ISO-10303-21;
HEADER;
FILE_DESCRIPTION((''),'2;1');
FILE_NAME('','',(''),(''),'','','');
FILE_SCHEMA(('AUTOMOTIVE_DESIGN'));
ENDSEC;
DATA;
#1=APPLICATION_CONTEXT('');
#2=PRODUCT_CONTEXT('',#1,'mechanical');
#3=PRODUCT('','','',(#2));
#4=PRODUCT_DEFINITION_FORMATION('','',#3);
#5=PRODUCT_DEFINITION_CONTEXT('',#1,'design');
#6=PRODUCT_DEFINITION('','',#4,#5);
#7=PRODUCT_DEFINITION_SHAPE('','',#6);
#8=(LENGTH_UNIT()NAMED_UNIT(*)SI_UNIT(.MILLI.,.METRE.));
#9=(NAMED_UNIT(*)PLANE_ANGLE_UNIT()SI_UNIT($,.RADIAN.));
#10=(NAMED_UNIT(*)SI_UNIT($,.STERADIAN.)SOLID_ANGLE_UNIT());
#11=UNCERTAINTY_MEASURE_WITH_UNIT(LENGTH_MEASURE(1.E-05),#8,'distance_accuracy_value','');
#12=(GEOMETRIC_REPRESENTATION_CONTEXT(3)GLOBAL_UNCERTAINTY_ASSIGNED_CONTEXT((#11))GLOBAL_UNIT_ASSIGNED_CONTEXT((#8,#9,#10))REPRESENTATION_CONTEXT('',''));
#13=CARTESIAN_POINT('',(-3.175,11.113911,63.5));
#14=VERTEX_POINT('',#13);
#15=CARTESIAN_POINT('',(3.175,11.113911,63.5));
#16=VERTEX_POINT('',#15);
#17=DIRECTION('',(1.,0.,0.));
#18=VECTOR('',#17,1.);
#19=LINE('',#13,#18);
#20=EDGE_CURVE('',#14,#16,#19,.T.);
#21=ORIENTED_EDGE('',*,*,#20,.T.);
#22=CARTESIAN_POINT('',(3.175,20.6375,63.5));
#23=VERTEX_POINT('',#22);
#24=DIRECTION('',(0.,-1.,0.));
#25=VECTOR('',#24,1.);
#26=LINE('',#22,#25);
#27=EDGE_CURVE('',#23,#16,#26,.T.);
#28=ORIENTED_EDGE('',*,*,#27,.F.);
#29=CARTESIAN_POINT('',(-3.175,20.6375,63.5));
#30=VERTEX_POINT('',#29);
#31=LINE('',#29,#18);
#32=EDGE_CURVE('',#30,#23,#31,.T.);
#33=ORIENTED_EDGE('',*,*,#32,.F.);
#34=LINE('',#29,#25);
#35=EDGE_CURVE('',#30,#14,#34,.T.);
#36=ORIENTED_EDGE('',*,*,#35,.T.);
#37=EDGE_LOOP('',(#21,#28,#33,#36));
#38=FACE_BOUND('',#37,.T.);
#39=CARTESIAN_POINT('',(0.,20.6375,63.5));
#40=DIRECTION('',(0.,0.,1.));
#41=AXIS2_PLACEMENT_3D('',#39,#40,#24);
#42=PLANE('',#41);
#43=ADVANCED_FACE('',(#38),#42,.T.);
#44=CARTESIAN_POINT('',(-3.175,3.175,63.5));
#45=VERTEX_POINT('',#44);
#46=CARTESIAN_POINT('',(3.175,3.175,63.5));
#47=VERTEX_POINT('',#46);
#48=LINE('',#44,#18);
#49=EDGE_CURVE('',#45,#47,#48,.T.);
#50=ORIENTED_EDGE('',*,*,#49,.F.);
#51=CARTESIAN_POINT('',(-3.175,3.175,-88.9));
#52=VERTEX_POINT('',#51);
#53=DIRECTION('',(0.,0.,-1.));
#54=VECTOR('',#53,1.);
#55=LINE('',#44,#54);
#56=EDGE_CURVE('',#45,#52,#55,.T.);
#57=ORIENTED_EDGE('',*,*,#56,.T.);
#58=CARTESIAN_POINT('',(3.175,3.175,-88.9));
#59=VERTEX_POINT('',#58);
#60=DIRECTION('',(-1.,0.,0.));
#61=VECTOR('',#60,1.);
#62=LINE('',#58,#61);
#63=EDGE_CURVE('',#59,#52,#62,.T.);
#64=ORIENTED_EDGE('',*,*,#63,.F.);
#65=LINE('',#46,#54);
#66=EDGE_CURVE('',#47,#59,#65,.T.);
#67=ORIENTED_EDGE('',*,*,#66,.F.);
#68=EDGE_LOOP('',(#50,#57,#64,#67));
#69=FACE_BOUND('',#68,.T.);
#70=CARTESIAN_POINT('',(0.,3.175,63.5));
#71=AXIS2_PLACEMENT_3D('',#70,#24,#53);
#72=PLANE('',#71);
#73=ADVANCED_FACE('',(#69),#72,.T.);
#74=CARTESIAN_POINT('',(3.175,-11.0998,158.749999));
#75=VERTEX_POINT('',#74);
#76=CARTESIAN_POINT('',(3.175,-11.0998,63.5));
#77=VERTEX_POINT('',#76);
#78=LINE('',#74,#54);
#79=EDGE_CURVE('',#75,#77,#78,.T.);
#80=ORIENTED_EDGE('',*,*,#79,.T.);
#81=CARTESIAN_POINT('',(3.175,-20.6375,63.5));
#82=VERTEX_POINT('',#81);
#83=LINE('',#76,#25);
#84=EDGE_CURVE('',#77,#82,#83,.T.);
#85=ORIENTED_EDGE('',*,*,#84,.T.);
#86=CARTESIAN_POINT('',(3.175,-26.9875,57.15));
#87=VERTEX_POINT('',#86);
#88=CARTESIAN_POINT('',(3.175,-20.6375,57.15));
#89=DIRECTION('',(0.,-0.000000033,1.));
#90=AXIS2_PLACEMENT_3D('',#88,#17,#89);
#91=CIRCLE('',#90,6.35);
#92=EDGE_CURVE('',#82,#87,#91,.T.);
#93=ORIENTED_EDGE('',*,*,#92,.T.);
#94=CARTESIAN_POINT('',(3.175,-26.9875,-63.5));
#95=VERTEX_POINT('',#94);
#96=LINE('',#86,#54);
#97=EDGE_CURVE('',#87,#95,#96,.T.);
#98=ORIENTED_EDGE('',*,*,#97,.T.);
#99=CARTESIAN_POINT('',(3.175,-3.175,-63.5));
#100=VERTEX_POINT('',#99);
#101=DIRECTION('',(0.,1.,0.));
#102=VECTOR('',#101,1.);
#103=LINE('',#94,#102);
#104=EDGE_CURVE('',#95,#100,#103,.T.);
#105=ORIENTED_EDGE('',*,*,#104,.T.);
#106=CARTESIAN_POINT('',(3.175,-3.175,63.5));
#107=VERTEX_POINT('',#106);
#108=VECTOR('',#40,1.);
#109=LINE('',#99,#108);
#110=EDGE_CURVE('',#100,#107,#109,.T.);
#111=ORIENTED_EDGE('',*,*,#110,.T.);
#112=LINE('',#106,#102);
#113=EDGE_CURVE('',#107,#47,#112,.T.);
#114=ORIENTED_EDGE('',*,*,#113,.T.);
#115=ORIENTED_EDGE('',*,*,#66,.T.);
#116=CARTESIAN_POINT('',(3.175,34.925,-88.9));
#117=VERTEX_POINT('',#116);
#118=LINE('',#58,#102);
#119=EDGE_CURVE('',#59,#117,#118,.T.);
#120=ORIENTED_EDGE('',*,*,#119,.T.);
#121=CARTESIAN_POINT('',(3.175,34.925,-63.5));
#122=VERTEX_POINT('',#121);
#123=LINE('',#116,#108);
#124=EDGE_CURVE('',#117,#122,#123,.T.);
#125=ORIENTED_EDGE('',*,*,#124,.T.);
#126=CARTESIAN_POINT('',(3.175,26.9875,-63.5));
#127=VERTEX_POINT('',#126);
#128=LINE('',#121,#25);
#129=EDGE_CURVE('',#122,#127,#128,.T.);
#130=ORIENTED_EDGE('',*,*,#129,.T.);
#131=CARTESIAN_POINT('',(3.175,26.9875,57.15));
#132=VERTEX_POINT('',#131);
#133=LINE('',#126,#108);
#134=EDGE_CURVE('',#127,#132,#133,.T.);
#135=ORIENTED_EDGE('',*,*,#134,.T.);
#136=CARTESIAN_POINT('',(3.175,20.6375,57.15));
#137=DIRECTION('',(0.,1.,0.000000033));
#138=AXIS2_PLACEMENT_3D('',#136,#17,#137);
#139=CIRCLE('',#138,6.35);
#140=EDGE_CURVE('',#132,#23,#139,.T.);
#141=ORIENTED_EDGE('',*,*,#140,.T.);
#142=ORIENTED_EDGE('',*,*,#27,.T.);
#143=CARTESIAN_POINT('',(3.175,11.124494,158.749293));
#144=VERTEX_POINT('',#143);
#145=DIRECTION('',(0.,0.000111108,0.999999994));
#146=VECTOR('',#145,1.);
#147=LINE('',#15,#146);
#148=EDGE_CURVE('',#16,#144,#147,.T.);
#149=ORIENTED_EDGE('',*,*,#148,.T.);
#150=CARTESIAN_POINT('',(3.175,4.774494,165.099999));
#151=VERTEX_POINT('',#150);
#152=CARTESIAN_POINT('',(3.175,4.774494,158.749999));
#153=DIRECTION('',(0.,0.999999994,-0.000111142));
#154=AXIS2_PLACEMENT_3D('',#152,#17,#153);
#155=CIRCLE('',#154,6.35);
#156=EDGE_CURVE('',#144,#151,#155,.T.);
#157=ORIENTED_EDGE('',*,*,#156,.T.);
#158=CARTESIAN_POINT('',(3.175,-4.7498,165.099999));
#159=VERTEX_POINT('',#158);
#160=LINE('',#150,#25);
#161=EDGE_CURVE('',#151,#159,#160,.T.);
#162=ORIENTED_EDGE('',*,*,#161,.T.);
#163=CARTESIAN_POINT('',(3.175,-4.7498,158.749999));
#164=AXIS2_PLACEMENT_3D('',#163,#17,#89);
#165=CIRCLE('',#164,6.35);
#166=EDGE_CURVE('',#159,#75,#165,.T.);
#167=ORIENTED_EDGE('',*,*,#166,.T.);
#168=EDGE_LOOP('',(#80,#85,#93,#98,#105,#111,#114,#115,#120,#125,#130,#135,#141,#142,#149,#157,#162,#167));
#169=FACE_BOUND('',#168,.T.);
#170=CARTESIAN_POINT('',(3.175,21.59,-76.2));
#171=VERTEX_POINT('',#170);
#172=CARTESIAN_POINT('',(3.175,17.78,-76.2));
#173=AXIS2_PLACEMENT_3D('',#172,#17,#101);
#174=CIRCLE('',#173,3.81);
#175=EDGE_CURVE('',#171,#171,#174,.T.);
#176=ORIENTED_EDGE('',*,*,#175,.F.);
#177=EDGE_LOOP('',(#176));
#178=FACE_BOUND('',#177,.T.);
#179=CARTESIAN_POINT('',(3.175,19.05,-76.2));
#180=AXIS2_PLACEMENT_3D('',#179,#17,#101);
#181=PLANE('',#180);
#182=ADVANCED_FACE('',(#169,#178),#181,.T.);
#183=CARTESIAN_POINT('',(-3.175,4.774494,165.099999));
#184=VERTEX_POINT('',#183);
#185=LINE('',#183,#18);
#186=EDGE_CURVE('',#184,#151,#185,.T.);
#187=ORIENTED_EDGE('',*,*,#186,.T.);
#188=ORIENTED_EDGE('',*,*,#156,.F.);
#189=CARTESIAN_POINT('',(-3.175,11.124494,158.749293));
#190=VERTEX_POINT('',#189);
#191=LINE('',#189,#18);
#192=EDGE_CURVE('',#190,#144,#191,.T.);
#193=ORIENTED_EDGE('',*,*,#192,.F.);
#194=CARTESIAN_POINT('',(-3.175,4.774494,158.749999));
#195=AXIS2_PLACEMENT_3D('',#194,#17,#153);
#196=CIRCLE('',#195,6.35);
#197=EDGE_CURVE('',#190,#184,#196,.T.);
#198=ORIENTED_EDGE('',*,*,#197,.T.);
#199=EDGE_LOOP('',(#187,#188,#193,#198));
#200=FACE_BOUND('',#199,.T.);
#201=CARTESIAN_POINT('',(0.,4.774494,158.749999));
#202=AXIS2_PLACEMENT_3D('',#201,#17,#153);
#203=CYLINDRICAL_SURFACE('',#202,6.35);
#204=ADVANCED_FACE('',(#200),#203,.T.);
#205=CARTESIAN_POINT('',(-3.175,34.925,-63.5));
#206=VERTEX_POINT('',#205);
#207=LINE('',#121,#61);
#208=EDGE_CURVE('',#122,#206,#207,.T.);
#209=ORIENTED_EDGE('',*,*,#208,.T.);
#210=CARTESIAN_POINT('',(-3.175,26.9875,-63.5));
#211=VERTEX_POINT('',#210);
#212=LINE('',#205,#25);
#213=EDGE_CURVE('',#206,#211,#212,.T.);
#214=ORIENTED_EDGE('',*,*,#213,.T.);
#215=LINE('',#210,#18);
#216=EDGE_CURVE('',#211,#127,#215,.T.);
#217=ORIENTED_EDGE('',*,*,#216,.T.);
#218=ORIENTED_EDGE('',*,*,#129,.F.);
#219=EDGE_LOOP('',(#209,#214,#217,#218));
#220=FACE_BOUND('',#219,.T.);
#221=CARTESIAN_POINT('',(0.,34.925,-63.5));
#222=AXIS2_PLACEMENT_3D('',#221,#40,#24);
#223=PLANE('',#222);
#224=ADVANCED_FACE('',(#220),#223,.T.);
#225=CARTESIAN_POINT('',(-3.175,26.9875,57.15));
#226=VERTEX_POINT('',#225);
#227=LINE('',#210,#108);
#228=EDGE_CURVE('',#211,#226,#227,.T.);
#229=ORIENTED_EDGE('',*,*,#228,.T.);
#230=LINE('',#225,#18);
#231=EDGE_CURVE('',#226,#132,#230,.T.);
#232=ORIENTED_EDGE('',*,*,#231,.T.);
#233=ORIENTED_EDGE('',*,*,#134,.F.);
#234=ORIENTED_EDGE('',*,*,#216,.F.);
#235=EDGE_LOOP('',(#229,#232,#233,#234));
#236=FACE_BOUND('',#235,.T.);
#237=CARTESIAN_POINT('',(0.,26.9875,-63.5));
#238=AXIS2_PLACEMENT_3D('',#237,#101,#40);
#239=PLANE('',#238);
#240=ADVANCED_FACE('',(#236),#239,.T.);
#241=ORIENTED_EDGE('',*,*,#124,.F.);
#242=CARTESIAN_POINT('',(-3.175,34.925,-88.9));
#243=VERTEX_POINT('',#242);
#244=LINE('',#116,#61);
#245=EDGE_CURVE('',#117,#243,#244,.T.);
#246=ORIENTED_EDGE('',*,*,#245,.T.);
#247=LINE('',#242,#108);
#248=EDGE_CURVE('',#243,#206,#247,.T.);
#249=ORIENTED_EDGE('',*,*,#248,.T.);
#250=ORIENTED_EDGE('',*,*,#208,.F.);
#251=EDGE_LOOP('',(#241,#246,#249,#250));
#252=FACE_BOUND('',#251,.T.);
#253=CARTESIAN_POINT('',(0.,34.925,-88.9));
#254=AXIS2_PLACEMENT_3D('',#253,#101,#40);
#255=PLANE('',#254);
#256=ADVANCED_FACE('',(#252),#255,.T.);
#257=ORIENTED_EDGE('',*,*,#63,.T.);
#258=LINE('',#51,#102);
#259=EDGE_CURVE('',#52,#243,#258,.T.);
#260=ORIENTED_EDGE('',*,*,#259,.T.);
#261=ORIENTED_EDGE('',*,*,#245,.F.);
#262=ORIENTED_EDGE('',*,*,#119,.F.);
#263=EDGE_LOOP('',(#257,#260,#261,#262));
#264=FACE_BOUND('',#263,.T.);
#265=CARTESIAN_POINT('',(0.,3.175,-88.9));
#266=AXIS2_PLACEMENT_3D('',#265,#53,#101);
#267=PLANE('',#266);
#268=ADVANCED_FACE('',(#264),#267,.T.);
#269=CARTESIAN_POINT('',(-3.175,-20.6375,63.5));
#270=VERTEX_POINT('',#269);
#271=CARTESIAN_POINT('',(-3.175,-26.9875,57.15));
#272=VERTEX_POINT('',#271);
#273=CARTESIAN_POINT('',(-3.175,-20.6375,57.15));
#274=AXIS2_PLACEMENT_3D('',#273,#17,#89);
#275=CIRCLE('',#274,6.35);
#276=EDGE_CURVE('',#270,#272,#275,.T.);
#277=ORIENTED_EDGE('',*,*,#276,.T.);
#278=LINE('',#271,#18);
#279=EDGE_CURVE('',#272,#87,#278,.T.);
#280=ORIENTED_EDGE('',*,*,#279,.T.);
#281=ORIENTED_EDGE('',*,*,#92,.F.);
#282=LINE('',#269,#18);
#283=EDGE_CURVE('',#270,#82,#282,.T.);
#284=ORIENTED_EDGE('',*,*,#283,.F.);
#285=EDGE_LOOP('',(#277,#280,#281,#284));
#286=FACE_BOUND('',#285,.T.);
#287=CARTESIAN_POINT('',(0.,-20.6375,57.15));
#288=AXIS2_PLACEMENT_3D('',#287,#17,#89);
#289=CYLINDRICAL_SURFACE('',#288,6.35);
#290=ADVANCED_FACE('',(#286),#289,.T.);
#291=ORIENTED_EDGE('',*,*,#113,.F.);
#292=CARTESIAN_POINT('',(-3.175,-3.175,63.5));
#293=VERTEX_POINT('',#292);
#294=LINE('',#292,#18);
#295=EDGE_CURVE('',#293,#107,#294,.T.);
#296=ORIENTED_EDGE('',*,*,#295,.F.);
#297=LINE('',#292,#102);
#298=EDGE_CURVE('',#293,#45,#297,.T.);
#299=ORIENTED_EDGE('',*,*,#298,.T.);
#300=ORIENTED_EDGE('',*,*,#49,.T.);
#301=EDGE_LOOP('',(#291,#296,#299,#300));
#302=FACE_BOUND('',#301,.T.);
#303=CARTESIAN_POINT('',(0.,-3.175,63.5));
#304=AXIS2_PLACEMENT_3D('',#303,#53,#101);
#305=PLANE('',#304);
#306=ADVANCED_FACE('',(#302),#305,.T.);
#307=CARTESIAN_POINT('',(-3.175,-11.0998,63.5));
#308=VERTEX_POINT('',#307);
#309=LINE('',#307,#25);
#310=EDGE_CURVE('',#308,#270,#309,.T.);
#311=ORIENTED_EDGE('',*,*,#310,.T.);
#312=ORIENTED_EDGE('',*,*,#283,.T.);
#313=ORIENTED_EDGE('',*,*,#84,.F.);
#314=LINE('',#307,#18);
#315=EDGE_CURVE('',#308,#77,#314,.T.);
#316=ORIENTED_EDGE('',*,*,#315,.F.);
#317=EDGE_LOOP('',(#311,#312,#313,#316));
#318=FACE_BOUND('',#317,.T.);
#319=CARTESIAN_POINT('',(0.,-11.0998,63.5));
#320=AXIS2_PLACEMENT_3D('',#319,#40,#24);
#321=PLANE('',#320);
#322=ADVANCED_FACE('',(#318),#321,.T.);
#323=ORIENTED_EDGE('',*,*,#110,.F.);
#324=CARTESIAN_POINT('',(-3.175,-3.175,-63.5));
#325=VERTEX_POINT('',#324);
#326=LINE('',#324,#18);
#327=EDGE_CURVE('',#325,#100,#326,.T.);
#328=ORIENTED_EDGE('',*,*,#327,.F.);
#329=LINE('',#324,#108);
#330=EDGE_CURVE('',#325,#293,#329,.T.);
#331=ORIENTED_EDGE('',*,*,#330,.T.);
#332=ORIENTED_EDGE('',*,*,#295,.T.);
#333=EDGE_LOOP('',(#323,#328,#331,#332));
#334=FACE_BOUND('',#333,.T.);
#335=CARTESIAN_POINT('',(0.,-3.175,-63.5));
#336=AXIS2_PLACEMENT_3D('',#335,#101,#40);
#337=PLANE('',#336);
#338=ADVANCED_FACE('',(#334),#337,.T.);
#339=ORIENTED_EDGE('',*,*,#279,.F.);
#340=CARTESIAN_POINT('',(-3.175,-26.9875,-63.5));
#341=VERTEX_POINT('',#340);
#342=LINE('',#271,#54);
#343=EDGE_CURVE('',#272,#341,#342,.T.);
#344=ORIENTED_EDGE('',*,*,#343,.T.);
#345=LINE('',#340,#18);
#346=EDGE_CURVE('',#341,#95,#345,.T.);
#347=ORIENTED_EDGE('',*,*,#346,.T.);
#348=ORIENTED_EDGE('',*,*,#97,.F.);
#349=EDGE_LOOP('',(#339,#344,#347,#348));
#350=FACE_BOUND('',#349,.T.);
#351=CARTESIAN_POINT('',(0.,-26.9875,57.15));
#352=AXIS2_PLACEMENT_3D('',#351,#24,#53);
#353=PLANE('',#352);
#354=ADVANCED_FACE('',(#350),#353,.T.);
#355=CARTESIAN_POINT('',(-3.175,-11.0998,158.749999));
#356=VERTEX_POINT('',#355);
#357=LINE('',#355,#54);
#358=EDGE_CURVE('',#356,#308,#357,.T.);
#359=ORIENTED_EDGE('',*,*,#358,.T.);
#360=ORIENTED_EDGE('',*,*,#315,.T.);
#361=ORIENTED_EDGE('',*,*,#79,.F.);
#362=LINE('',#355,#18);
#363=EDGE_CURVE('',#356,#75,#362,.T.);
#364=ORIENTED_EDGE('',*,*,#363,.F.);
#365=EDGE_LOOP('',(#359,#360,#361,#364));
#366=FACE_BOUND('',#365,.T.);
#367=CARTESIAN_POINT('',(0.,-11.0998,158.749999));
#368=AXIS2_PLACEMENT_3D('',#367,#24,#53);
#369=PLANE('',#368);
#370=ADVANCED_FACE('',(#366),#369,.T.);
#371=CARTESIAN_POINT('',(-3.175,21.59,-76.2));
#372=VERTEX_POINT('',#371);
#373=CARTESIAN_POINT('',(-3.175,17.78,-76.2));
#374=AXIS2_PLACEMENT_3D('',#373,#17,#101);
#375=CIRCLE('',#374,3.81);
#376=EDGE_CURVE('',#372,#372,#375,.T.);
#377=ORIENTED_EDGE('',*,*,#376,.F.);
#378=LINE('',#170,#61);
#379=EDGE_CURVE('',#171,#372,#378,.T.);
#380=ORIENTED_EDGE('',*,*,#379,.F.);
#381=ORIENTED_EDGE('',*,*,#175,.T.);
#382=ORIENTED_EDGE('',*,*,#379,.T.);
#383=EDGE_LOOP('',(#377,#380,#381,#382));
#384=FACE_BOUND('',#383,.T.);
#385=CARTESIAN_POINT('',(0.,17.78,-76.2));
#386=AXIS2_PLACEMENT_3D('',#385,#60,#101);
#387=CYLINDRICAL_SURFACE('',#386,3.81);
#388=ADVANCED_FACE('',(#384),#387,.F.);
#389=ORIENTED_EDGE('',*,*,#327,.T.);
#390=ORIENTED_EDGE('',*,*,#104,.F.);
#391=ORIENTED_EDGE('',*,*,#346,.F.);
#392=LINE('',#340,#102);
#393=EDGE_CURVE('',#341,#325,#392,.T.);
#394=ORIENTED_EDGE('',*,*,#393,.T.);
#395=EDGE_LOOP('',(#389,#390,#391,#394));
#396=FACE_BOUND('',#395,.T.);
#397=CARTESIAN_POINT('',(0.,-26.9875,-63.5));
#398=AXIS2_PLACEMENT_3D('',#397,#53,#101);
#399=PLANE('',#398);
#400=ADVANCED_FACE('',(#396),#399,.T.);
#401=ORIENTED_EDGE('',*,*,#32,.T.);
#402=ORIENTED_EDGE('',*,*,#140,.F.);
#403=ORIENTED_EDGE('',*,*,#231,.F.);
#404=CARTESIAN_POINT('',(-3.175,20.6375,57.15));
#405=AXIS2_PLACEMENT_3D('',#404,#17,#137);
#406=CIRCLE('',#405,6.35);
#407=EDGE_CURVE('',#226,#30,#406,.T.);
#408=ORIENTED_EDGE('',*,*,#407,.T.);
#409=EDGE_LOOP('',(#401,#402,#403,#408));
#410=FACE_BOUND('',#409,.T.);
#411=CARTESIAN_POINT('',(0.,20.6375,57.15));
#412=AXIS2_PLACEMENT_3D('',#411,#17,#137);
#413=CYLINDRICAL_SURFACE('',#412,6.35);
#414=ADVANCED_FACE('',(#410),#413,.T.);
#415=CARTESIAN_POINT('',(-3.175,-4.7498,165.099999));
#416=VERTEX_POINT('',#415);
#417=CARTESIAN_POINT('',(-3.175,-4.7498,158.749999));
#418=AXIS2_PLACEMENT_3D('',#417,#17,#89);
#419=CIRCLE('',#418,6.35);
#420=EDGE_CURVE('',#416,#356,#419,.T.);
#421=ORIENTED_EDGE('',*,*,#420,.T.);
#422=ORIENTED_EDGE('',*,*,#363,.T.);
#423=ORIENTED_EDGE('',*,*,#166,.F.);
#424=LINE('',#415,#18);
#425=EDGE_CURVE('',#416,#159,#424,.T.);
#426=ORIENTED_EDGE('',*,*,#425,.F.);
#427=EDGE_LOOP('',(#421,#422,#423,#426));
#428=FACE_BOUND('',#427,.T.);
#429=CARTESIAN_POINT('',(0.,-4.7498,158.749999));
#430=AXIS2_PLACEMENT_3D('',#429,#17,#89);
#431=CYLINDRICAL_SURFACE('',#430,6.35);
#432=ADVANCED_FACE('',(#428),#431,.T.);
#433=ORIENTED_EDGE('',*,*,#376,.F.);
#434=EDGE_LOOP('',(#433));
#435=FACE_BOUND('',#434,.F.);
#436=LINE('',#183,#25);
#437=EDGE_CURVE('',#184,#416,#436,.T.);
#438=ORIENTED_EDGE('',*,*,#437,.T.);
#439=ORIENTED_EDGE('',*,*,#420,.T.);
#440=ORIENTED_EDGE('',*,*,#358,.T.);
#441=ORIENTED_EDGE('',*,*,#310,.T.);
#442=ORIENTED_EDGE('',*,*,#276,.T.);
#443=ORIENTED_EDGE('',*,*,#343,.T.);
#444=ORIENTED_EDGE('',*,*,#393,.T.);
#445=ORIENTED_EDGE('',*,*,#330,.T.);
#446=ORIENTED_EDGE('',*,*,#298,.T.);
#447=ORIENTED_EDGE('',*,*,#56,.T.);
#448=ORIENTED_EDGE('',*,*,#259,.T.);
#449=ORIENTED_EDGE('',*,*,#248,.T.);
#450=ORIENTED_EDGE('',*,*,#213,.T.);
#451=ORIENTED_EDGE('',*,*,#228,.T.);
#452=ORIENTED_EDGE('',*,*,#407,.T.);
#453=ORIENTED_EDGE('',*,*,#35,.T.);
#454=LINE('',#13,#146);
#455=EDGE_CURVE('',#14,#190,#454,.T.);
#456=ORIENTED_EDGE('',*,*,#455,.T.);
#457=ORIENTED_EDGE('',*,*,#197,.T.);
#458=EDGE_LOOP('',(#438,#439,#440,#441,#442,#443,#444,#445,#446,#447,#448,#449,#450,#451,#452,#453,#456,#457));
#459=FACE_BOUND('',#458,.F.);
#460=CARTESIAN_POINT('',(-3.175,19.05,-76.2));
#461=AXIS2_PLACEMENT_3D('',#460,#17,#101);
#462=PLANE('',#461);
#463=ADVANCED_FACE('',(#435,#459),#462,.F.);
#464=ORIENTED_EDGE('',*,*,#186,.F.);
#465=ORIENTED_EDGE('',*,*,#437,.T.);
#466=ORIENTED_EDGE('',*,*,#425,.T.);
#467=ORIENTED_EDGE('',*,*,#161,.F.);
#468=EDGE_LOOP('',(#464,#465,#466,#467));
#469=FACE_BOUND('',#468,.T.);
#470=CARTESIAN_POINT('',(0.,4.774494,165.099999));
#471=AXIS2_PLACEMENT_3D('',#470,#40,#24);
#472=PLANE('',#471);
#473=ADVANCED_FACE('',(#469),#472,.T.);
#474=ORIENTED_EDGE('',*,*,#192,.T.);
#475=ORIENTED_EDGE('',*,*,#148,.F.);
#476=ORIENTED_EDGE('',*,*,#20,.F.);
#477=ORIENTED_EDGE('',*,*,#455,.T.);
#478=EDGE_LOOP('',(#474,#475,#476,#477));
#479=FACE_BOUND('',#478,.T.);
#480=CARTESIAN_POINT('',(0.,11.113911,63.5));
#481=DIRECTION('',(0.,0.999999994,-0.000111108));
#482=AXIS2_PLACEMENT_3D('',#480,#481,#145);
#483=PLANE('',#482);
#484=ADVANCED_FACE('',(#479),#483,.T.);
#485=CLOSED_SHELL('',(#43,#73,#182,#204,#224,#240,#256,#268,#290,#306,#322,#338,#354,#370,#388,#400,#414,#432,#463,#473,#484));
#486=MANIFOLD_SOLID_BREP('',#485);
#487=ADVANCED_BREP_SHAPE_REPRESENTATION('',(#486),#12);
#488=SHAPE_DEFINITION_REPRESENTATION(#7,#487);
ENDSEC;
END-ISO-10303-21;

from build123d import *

# Parameters (mm, degrees)
F0_R     = 3.81
F1_DEPTH = 3.175


with BuildPart() as f1:
    # F0 (on Right) → F1 (new body, symmetric)
    with BuildSketch(Plane.YZ):
        Polygon((34.925, -63.5), (26.9875, -63.5), (3.175, -63.5), (3.175, -88.9), (34.925, -88.9), align=None)
        with Locations((17.78, -76.2)):
            Circle(F0_R, mode=Mode.SUBTRACT)
        with BuildLine():
            Line((3.175, -63.5), (26.9875, -63.5))
            Line((26.9875, -63.5), (26.9875, 57.15))
            ThreePointArc((26.9875, 57.15), (25.127628, 61.640128), (20.6375, 63.5))
            Line((20.6375, 63.5), (17.464617, 63.5))
            Line((17.464617, 63.5), (11.113911, 63.5))
            Line((11.113911, 63.5), (11.124494, 158.749293))
            ThreePointArc((11.124494, 158.749293), (9.264872, 163.239877), (4.774494, 165.099999))
            Line((4.774494, 165.099999), (-4.7498, 165.099999))
            ThreePointArc((-4.7498, 165.099999), (-9.239928, 163.240127), (-11.0998, 158.749999))
            Line((-11.0998, 158.749999), (-11.0998, 63.5))
            Line((-11.0998, 63.5), (-17.4498, 63.5))
            Line((-17.4498, 63.5), (-20.6375, 63.5))
            ThreePointArc((-20.6375, 63.5), (-25.127628, 61.640128), (-26.9875, 57.15))
            Line((-26.9875, 57.15), (-26.9875, -63.5))
            Line((-26.9875, -63.5), (-3.175, -63.5))
            Line((-3.175, -63.5), (-3.175, 63.5))
            Line((-3.175, 63.5), (3.175, 63.5))
            Line((3.175, 63.5), (3.175, -63.5))
        make_face()
    extrude(amount=F1_DEPTH, both=True)


solid = f1.part
